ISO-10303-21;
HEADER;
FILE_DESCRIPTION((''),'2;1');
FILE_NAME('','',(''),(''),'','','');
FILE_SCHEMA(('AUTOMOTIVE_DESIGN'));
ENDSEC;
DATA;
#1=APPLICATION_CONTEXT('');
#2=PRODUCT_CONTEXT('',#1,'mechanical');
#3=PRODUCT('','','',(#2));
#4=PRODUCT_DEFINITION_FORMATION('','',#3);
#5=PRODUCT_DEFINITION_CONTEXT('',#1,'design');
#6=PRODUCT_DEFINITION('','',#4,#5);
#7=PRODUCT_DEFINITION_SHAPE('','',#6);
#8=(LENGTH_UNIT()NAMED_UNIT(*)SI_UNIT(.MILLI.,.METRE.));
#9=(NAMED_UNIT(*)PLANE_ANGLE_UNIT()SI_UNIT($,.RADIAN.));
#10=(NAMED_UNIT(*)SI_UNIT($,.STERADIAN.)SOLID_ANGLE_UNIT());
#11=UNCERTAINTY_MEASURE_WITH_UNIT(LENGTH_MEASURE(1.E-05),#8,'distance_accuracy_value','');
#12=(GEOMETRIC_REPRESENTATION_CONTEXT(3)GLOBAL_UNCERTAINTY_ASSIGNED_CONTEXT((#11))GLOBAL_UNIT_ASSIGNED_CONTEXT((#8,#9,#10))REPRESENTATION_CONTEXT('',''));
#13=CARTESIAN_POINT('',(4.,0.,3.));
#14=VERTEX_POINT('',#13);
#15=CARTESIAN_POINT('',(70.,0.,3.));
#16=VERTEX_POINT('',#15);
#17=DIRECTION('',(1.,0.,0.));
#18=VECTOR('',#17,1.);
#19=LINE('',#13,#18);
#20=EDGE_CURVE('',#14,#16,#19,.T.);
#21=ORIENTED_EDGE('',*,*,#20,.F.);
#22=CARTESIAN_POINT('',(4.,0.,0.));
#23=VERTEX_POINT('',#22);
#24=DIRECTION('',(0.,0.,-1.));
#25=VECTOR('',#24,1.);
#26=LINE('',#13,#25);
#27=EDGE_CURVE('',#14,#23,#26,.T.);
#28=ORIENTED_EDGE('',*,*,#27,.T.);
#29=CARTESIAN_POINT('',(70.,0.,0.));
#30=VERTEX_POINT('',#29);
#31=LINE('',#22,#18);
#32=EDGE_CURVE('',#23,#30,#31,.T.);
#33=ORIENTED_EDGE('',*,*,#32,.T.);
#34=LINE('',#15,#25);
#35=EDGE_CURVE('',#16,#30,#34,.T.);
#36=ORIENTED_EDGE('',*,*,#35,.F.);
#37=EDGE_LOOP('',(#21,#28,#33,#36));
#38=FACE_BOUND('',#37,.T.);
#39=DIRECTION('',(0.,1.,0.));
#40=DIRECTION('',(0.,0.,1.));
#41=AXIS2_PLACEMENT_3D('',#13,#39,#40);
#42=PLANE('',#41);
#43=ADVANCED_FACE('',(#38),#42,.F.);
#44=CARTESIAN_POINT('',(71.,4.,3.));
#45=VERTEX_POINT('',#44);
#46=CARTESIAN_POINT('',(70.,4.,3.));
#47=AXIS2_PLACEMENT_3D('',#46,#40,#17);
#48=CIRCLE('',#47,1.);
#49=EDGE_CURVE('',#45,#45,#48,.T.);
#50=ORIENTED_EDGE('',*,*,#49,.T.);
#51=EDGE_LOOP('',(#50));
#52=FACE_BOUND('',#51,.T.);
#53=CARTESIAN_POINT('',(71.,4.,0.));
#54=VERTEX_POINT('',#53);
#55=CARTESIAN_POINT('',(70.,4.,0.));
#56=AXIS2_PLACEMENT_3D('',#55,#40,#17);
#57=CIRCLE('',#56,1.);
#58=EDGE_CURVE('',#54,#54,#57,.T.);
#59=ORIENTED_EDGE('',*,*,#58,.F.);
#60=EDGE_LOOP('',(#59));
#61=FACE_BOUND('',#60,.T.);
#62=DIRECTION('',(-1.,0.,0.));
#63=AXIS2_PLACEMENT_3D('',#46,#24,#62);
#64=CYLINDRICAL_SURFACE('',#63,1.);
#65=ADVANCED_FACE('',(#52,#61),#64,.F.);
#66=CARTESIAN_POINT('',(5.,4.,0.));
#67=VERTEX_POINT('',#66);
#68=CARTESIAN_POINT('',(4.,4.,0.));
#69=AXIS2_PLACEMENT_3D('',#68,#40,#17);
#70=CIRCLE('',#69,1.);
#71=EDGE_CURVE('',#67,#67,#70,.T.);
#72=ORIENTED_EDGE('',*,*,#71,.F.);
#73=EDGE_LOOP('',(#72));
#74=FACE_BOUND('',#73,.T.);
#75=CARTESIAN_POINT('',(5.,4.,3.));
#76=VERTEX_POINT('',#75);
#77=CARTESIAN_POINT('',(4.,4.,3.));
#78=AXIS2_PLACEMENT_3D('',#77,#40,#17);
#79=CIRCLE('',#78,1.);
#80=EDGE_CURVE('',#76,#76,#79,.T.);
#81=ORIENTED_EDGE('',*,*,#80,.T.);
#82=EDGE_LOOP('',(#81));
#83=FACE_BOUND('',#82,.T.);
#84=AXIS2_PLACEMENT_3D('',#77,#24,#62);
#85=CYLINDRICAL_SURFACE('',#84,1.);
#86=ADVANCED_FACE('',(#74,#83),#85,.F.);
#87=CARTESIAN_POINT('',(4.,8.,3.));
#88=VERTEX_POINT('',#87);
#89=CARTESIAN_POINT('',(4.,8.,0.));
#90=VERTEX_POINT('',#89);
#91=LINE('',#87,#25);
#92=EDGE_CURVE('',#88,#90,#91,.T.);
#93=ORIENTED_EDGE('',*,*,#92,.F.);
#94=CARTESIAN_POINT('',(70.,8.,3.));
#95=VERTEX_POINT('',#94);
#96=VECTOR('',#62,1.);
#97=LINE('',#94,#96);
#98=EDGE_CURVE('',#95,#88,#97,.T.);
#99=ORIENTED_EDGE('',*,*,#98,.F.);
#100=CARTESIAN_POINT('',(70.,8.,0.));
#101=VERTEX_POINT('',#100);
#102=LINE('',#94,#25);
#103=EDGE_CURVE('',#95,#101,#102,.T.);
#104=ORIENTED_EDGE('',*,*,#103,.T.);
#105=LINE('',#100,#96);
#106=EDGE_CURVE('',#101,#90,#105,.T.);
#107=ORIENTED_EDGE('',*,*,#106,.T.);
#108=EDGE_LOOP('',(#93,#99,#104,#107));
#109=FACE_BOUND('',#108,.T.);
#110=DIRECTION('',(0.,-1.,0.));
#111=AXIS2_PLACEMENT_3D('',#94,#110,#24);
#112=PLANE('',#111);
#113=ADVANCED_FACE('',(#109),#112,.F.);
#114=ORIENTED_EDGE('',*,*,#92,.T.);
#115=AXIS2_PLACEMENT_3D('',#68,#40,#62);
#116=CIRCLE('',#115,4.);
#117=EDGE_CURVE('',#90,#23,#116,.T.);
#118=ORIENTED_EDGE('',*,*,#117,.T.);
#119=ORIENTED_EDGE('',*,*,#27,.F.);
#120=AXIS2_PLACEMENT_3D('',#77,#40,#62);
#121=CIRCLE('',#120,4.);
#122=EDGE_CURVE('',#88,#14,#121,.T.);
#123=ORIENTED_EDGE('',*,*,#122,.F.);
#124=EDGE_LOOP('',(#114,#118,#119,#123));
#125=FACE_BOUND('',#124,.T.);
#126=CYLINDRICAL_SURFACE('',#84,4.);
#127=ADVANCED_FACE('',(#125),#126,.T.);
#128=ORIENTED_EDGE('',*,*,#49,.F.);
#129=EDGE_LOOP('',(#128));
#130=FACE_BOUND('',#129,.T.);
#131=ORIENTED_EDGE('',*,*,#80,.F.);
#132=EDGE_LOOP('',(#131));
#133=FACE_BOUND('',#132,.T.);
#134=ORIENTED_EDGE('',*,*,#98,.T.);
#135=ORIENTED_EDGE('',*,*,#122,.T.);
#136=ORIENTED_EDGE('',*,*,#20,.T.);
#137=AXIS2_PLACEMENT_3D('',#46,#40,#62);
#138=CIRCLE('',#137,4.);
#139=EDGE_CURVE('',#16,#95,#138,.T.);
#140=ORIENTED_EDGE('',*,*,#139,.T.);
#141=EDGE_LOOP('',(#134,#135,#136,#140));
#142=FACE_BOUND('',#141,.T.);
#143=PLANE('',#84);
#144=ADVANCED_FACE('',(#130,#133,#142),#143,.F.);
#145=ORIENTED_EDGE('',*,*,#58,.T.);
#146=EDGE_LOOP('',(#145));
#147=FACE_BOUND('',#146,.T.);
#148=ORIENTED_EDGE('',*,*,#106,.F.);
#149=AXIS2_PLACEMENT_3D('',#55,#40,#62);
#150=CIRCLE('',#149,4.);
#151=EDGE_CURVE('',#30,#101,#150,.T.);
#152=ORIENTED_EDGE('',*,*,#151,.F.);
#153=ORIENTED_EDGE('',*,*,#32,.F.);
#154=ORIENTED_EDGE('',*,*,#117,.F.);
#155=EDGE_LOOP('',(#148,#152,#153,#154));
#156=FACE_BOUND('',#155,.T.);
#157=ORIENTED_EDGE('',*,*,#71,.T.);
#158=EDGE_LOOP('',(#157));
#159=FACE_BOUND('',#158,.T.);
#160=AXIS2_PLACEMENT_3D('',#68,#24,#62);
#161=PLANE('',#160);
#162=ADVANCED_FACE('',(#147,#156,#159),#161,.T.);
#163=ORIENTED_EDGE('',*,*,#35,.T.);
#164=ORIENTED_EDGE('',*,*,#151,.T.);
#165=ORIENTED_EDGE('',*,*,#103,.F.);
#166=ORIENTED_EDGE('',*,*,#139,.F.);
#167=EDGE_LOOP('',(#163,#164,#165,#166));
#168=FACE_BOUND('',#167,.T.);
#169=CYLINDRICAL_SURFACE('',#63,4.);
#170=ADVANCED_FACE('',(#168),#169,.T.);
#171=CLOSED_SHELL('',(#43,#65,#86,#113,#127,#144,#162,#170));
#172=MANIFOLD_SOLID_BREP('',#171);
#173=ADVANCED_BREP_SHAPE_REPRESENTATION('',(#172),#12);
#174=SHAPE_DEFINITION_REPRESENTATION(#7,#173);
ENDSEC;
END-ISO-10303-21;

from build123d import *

# Parameters (mm, degrees)
ESQUISSE1_R        = 1
BOSS_EXTRU_1_DEPTH = 3


with BuildPart() as part:
    # Esquisse1 → Boss.-Extru.1 (new body)
    with BuildSketch(Plane.XY):
        with BuildLine():
            Line((70, 8), (4, 8))
            ThreePointArc((4, 8), (0, 4), (4, 0))
            Line((4, 0), (70, 0))
            ThreePointArc((70, 0), (74, 4), (70, 8))
        make_face()
        with Locations((4, 4)):
            Circle(ESQUISSE1_R, mode=Mode.SUBTRACT)
        with Locations((70, 4)):
            Circle(ESQUISSE1_R, mode=Mode.SUBTRACT)
    extrude(amount=BOSS_EXTRU_1_DEPTH)


solid = part.part
